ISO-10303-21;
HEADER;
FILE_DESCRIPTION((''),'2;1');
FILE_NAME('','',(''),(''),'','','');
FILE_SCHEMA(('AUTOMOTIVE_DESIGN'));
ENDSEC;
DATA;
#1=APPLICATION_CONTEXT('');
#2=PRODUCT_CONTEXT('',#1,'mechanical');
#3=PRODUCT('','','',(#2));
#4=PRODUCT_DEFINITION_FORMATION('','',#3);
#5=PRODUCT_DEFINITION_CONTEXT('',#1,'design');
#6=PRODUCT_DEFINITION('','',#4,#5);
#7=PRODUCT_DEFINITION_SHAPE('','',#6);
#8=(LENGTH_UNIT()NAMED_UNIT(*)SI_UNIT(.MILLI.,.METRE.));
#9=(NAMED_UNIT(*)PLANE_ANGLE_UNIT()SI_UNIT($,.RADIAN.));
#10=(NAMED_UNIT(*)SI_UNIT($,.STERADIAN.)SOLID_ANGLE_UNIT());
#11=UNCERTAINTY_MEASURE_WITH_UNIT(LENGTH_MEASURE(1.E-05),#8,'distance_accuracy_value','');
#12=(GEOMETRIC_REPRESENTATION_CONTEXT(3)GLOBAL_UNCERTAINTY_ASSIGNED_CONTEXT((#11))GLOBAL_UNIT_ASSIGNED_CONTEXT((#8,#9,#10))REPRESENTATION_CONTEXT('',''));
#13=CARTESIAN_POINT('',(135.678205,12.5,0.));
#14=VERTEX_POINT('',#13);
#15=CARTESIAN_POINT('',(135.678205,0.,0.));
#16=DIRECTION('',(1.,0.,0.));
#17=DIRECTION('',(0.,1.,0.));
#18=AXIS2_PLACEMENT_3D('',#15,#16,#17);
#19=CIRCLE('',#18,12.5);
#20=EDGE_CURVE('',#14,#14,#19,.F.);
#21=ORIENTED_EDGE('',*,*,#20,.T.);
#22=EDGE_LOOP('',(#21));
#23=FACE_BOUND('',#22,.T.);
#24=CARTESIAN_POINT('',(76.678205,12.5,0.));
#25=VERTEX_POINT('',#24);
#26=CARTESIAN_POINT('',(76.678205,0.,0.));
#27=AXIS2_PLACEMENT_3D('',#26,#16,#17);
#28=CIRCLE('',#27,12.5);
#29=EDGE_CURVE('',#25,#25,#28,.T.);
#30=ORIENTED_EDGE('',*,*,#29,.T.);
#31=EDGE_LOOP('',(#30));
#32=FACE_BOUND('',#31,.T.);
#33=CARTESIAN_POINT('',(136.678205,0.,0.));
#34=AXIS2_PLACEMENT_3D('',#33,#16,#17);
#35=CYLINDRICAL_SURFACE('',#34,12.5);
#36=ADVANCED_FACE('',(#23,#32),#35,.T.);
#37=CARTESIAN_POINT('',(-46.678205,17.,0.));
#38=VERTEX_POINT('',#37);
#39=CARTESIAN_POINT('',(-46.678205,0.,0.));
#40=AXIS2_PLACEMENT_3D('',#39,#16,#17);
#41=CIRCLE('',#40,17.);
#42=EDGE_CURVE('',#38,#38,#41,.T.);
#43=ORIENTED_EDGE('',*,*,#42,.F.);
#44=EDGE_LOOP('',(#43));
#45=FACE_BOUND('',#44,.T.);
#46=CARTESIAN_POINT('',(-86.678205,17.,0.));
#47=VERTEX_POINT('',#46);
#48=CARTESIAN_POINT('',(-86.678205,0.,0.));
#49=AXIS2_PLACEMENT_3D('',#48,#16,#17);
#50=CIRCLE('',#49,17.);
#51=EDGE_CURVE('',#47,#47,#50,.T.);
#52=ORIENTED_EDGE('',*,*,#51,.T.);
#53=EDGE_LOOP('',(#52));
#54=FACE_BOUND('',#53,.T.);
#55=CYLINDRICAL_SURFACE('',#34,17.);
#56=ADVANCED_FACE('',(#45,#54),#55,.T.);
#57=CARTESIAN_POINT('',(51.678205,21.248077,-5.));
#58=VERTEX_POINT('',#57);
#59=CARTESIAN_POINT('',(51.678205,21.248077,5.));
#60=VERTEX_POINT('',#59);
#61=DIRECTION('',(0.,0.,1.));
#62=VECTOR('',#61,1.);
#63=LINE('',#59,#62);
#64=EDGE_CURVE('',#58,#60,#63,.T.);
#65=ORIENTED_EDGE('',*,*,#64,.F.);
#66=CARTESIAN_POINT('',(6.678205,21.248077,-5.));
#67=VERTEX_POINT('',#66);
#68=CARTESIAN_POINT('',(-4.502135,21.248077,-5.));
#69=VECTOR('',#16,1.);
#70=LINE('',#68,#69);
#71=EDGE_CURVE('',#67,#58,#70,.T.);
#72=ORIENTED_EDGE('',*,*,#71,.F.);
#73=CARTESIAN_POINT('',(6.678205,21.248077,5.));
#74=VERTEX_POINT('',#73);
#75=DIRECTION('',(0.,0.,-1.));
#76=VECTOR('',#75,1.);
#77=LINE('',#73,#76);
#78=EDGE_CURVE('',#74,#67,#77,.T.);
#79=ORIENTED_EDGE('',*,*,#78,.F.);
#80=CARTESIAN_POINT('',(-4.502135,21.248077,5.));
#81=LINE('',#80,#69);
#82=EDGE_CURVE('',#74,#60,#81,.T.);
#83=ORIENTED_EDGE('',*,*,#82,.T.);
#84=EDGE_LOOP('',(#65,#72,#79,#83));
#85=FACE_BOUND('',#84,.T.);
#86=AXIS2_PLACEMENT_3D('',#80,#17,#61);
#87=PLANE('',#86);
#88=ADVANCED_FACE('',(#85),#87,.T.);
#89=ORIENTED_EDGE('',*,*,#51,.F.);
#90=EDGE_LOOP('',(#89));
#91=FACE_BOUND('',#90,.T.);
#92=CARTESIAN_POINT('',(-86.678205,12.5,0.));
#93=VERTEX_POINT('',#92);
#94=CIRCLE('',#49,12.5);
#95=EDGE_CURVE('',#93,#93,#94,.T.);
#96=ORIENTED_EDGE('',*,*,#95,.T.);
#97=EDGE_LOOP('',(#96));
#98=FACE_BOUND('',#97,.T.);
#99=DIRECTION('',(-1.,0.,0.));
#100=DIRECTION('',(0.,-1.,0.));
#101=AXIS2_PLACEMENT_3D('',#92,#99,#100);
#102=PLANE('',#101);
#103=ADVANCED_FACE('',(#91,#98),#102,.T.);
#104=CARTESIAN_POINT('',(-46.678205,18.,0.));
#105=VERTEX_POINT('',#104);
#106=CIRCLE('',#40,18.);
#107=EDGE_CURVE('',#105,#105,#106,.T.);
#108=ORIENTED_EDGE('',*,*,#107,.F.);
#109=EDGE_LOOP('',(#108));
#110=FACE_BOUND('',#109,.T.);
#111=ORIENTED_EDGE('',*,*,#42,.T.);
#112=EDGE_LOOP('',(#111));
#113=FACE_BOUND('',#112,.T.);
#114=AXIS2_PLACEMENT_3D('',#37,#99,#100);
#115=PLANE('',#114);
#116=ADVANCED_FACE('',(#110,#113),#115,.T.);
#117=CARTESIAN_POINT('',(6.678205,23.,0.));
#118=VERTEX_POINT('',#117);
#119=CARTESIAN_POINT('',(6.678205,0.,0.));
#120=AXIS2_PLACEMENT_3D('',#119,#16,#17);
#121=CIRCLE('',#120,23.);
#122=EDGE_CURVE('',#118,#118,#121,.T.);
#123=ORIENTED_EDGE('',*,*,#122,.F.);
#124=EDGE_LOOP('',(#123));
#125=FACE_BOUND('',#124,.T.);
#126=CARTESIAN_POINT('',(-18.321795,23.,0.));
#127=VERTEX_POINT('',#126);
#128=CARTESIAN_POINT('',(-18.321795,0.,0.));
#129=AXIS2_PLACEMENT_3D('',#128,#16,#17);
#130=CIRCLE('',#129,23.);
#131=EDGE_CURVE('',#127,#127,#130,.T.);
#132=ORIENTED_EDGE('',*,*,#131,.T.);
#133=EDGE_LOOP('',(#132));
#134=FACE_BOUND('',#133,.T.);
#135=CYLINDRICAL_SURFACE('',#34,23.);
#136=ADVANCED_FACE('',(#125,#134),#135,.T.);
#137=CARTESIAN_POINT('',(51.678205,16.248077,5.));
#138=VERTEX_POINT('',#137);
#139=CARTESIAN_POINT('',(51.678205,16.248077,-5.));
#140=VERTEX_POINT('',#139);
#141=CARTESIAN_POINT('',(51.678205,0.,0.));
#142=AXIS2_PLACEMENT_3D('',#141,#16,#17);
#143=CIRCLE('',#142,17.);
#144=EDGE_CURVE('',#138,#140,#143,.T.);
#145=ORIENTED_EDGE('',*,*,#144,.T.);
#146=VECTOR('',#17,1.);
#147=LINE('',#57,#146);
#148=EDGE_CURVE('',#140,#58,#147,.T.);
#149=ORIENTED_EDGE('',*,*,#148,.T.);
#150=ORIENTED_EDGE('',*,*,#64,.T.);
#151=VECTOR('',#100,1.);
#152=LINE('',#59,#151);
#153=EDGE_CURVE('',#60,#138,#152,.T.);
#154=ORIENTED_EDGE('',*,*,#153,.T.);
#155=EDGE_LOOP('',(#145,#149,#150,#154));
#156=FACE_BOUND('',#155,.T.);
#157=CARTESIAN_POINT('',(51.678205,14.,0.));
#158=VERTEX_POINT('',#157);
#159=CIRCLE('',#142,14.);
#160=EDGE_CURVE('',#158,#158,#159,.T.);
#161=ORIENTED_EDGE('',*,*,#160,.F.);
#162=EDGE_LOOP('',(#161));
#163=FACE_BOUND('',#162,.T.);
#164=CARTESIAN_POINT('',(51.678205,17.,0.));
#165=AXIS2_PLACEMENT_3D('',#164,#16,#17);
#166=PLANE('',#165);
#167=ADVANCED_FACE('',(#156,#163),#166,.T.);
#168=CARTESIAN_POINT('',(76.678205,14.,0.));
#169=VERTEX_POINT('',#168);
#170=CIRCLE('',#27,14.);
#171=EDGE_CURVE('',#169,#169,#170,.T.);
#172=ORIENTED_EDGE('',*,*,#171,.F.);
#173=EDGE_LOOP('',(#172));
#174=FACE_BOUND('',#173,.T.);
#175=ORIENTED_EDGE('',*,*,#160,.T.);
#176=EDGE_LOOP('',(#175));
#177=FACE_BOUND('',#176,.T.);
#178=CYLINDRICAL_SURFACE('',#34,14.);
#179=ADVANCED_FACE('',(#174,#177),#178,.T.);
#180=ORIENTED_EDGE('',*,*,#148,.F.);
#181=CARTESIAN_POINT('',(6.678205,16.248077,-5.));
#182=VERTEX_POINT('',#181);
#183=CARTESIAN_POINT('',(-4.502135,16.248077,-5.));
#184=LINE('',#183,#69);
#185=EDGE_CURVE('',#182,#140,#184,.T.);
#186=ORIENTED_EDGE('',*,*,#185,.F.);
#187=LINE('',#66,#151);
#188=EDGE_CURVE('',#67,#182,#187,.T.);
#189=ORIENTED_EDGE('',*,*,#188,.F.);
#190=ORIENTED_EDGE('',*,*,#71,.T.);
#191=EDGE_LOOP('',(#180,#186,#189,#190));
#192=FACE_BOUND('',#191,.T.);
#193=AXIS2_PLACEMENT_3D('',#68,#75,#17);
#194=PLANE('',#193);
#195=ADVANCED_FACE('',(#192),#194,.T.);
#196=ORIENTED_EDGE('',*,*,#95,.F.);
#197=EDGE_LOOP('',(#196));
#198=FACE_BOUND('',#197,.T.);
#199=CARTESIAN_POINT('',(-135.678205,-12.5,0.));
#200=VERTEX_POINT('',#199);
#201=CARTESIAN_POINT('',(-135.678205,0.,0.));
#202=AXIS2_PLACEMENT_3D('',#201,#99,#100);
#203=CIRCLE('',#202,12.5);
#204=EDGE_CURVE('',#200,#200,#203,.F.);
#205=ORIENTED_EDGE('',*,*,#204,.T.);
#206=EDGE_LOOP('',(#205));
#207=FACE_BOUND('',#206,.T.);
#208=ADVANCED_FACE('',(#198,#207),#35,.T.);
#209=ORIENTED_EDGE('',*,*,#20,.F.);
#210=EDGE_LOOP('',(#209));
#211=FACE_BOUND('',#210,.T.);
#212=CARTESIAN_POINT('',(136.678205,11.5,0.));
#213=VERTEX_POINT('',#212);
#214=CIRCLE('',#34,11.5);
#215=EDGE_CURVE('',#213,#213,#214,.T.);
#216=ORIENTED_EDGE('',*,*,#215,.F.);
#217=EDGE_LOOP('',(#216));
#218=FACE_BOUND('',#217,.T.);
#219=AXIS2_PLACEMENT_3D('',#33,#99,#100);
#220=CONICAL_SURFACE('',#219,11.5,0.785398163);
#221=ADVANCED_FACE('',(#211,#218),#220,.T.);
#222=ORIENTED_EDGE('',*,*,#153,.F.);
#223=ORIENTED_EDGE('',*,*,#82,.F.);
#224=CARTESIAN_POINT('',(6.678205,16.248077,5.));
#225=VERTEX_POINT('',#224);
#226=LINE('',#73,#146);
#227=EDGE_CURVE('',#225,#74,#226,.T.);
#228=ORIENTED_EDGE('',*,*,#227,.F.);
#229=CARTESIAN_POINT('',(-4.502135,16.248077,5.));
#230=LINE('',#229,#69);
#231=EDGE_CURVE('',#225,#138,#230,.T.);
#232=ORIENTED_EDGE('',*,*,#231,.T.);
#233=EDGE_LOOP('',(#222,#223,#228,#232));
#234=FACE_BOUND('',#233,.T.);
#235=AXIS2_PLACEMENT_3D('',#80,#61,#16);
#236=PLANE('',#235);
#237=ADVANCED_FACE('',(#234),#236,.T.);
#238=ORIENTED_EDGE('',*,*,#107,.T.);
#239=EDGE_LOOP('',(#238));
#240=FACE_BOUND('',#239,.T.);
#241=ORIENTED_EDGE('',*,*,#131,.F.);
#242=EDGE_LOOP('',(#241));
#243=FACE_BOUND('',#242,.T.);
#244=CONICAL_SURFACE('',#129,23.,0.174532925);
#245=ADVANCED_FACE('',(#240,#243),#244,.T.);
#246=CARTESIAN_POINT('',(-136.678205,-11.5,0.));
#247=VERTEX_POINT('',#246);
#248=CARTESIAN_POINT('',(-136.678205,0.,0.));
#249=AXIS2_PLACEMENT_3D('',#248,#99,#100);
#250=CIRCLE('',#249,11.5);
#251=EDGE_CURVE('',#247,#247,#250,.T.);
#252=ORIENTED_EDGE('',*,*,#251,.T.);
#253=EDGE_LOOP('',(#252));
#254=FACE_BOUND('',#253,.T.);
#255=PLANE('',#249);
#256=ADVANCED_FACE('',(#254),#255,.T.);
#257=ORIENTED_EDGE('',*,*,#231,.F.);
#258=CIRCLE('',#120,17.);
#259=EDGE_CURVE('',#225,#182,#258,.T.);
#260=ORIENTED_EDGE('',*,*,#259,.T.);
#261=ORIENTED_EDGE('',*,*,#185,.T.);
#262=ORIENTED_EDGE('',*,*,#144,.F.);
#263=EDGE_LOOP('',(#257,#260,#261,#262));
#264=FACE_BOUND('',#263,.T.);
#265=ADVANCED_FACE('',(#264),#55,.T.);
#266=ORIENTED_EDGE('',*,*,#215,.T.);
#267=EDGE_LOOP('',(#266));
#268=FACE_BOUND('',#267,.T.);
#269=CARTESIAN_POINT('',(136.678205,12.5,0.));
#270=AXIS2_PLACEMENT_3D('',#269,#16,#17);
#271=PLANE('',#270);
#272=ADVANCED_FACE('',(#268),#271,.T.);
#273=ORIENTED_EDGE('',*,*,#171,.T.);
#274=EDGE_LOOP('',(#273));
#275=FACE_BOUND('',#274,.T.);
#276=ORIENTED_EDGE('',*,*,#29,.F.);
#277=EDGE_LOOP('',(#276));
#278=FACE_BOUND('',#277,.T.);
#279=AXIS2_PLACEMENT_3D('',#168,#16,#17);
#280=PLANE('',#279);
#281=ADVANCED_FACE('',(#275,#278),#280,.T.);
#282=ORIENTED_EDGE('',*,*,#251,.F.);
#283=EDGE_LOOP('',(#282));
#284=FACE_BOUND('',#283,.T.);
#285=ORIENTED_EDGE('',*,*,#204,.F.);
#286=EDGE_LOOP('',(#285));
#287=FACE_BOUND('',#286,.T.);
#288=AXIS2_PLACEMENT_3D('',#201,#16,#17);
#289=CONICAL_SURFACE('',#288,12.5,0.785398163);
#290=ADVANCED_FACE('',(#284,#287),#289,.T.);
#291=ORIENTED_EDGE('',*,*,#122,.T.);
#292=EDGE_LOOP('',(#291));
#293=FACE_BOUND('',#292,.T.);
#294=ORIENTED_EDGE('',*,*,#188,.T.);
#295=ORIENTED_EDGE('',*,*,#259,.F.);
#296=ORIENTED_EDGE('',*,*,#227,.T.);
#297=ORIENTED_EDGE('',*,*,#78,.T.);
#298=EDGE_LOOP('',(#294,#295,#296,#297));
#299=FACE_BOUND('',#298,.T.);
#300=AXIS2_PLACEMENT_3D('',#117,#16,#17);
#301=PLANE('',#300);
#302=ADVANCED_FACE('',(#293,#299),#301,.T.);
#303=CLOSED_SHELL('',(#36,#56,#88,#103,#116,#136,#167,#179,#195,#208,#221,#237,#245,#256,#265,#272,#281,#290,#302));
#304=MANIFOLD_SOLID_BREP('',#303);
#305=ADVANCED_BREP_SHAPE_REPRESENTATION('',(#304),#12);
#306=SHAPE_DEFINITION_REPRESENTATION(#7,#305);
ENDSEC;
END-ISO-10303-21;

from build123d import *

# Parameters (mm, degrees)
SKETCH3_W           = 10
SKETCH3_H           = 5
BOSS_EXTRUDE1_DEPTH = 45
CHAMFER1_SIZE       = 1


with BuildPart() as part:
    # Sketch1 → Revolve1 (revolve)
    with BuildSketch(Plane.XY):
        Polygon((-136.678204549, 12.5), (-86.678204549, 12.5), (-86.678204549, 17), (-46.678204549, 17), (-46.678204549, 18), (-18.321795451, 23), (6.678204549, 23), (6.678204549, 17), (51.678204549, 17), (51.678204549, 14), (76.678204549, 14), (76.678204549, 12.5), (136.678204549, 12.5), (136.678204549, 0), (-136.678204549, 0), align=None)
    revolve(axis=Axis((136.678204549, 0, 0), (-1, 0, 0)))

    # Sketch3 → Boss-Extrude1 (add)
    with BuildSketch(Plane(origin=(51.678204549, 0, 0), x_dir=(0, 0, -1), z_dir=(1, 0, 0))):
        with Locations((0, 18.748076809)):
            Rectangle(SKETCH3_W, SKETCH3_H)
    extrude(amount=-BOSS_EXTRUDE1_DEPTH)

    # Chamfer1
    chamfer1_edges = [part.edges().sort_by_distance(p)[0] for p in [
        (136.678204549, -12.5, 0),
        (-136.678204549, -12.5, 0),
    ]]
    chamfer(chamfer1_edges, length=CHAMFER1_SIZE)


solid = part.part
